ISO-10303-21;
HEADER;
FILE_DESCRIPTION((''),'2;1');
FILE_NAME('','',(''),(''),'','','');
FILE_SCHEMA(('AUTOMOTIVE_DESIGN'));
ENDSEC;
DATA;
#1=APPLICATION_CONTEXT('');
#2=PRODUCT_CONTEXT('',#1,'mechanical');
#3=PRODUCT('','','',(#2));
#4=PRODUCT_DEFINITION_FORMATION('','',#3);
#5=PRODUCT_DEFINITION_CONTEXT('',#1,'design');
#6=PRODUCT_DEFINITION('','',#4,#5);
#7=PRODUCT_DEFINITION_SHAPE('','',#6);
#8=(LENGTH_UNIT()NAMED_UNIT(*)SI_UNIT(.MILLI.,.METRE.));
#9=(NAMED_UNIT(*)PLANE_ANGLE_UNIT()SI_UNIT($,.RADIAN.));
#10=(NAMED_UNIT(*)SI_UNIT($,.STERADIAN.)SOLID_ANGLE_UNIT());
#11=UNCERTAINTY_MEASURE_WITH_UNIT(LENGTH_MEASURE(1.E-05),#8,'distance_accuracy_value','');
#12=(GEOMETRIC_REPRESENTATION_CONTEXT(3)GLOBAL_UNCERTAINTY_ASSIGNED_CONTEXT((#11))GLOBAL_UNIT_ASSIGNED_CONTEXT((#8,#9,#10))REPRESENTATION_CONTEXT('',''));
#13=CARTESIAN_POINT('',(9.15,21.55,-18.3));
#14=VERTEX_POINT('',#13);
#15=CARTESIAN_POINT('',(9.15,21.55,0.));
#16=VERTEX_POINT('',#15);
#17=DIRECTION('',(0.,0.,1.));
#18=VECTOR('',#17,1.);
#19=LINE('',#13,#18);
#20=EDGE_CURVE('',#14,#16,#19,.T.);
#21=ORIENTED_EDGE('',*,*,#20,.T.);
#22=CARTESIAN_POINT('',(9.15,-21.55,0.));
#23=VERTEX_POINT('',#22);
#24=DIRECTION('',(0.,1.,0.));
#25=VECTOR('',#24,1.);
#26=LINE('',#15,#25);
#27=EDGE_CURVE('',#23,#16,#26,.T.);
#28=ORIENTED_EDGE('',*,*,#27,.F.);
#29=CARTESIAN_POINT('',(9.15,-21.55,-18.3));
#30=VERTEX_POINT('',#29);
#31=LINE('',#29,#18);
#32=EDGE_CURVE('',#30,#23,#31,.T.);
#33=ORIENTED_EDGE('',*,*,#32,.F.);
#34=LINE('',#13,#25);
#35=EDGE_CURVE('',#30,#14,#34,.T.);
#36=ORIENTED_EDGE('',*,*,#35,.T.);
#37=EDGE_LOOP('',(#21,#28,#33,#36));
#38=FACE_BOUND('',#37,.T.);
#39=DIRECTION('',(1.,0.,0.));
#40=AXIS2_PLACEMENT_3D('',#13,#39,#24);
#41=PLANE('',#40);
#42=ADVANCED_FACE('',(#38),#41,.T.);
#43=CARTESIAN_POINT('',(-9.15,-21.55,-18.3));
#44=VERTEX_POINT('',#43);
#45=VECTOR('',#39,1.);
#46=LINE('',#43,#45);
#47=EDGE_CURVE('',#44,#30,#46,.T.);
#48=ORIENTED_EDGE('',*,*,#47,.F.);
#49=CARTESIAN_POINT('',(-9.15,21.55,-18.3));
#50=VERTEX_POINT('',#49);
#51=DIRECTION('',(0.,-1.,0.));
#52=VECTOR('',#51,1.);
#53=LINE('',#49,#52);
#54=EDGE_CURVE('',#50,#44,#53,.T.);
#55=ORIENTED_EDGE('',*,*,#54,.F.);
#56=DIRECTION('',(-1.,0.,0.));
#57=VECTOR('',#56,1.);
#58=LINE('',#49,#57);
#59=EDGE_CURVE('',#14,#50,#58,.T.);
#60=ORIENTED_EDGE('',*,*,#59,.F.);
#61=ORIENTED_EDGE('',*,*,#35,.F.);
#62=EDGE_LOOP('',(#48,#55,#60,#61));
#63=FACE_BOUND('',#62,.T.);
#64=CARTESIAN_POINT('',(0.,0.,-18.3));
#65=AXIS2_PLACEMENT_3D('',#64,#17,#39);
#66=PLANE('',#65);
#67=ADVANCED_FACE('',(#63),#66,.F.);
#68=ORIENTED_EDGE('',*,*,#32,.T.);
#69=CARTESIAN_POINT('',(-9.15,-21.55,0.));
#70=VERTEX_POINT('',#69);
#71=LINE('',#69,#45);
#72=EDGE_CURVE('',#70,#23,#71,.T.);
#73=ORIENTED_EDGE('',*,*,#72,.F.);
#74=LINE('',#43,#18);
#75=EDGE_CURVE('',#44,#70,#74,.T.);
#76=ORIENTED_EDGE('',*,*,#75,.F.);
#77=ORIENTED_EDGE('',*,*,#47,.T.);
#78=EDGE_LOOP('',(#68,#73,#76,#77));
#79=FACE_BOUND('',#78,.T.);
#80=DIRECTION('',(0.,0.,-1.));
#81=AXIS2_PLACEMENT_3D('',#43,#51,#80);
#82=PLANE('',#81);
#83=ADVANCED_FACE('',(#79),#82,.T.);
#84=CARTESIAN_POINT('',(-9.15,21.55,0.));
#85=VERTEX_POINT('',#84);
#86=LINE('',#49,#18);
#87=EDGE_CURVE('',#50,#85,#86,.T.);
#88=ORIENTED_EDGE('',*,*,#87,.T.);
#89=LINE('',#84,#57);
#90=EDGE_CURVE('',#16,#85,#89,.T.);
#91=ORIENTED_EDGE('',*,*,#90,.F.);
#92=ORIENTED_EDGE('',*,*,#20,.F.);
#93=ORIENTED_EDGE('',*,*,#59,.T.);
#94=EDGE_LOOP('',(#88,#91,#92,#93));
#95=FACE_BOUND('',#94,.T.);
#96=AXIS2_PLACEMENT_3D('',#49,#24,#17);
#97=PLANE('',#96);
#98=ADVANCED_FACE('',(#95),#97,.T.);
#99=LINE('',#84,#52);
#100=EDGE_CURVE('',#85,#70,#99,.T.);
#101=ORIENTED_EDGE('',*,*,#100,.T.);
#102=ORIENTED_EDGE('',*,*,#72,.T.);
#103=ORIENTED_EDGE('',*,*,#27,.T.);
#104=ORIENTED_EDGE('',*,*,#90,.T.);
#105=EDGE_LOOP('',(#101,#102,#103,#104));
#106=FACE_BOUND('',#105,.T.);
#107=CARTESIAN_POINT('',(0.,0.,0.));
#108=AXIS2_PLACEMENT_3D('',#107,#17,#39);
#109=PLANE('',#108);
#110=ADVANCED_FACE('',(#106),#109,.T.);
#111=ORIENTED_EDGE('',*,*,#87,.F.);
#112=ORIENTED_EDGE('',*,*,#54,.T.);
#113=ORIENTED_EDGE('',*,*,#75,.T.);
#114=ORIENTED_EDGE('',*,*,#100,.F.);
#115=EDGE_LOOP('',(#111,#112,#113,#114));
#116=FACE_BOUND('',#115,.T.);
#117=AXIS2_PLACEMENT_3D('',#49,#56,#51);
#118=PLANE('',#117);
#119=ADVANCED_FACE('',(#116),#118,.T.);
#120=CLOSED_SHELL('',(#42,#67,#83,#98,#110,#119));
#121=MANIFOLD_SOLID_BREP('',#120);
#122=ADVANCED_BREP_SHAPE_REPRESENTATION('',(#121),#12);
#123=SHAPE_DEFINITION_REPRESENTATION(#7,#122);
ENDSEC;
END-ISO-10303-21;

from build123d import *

# Parameters (mm, degrees)
ESQUISSE1_W        = 18.3
ESQUISSE1_H        = 43.1
BOSS_EXTRU_1_DEPTH = 18.3


with BuildPart() as part:
    # Esquisse1 → Boss.-Extru.1 (new body)
    with BuildSketch(Plane.XY):
        Rectangle(ESQUISSE1_W, ESQUISSE1_H)
    extrude(amount=-BOSS_EXTRU_1_DEPTH)


solid = part.part
